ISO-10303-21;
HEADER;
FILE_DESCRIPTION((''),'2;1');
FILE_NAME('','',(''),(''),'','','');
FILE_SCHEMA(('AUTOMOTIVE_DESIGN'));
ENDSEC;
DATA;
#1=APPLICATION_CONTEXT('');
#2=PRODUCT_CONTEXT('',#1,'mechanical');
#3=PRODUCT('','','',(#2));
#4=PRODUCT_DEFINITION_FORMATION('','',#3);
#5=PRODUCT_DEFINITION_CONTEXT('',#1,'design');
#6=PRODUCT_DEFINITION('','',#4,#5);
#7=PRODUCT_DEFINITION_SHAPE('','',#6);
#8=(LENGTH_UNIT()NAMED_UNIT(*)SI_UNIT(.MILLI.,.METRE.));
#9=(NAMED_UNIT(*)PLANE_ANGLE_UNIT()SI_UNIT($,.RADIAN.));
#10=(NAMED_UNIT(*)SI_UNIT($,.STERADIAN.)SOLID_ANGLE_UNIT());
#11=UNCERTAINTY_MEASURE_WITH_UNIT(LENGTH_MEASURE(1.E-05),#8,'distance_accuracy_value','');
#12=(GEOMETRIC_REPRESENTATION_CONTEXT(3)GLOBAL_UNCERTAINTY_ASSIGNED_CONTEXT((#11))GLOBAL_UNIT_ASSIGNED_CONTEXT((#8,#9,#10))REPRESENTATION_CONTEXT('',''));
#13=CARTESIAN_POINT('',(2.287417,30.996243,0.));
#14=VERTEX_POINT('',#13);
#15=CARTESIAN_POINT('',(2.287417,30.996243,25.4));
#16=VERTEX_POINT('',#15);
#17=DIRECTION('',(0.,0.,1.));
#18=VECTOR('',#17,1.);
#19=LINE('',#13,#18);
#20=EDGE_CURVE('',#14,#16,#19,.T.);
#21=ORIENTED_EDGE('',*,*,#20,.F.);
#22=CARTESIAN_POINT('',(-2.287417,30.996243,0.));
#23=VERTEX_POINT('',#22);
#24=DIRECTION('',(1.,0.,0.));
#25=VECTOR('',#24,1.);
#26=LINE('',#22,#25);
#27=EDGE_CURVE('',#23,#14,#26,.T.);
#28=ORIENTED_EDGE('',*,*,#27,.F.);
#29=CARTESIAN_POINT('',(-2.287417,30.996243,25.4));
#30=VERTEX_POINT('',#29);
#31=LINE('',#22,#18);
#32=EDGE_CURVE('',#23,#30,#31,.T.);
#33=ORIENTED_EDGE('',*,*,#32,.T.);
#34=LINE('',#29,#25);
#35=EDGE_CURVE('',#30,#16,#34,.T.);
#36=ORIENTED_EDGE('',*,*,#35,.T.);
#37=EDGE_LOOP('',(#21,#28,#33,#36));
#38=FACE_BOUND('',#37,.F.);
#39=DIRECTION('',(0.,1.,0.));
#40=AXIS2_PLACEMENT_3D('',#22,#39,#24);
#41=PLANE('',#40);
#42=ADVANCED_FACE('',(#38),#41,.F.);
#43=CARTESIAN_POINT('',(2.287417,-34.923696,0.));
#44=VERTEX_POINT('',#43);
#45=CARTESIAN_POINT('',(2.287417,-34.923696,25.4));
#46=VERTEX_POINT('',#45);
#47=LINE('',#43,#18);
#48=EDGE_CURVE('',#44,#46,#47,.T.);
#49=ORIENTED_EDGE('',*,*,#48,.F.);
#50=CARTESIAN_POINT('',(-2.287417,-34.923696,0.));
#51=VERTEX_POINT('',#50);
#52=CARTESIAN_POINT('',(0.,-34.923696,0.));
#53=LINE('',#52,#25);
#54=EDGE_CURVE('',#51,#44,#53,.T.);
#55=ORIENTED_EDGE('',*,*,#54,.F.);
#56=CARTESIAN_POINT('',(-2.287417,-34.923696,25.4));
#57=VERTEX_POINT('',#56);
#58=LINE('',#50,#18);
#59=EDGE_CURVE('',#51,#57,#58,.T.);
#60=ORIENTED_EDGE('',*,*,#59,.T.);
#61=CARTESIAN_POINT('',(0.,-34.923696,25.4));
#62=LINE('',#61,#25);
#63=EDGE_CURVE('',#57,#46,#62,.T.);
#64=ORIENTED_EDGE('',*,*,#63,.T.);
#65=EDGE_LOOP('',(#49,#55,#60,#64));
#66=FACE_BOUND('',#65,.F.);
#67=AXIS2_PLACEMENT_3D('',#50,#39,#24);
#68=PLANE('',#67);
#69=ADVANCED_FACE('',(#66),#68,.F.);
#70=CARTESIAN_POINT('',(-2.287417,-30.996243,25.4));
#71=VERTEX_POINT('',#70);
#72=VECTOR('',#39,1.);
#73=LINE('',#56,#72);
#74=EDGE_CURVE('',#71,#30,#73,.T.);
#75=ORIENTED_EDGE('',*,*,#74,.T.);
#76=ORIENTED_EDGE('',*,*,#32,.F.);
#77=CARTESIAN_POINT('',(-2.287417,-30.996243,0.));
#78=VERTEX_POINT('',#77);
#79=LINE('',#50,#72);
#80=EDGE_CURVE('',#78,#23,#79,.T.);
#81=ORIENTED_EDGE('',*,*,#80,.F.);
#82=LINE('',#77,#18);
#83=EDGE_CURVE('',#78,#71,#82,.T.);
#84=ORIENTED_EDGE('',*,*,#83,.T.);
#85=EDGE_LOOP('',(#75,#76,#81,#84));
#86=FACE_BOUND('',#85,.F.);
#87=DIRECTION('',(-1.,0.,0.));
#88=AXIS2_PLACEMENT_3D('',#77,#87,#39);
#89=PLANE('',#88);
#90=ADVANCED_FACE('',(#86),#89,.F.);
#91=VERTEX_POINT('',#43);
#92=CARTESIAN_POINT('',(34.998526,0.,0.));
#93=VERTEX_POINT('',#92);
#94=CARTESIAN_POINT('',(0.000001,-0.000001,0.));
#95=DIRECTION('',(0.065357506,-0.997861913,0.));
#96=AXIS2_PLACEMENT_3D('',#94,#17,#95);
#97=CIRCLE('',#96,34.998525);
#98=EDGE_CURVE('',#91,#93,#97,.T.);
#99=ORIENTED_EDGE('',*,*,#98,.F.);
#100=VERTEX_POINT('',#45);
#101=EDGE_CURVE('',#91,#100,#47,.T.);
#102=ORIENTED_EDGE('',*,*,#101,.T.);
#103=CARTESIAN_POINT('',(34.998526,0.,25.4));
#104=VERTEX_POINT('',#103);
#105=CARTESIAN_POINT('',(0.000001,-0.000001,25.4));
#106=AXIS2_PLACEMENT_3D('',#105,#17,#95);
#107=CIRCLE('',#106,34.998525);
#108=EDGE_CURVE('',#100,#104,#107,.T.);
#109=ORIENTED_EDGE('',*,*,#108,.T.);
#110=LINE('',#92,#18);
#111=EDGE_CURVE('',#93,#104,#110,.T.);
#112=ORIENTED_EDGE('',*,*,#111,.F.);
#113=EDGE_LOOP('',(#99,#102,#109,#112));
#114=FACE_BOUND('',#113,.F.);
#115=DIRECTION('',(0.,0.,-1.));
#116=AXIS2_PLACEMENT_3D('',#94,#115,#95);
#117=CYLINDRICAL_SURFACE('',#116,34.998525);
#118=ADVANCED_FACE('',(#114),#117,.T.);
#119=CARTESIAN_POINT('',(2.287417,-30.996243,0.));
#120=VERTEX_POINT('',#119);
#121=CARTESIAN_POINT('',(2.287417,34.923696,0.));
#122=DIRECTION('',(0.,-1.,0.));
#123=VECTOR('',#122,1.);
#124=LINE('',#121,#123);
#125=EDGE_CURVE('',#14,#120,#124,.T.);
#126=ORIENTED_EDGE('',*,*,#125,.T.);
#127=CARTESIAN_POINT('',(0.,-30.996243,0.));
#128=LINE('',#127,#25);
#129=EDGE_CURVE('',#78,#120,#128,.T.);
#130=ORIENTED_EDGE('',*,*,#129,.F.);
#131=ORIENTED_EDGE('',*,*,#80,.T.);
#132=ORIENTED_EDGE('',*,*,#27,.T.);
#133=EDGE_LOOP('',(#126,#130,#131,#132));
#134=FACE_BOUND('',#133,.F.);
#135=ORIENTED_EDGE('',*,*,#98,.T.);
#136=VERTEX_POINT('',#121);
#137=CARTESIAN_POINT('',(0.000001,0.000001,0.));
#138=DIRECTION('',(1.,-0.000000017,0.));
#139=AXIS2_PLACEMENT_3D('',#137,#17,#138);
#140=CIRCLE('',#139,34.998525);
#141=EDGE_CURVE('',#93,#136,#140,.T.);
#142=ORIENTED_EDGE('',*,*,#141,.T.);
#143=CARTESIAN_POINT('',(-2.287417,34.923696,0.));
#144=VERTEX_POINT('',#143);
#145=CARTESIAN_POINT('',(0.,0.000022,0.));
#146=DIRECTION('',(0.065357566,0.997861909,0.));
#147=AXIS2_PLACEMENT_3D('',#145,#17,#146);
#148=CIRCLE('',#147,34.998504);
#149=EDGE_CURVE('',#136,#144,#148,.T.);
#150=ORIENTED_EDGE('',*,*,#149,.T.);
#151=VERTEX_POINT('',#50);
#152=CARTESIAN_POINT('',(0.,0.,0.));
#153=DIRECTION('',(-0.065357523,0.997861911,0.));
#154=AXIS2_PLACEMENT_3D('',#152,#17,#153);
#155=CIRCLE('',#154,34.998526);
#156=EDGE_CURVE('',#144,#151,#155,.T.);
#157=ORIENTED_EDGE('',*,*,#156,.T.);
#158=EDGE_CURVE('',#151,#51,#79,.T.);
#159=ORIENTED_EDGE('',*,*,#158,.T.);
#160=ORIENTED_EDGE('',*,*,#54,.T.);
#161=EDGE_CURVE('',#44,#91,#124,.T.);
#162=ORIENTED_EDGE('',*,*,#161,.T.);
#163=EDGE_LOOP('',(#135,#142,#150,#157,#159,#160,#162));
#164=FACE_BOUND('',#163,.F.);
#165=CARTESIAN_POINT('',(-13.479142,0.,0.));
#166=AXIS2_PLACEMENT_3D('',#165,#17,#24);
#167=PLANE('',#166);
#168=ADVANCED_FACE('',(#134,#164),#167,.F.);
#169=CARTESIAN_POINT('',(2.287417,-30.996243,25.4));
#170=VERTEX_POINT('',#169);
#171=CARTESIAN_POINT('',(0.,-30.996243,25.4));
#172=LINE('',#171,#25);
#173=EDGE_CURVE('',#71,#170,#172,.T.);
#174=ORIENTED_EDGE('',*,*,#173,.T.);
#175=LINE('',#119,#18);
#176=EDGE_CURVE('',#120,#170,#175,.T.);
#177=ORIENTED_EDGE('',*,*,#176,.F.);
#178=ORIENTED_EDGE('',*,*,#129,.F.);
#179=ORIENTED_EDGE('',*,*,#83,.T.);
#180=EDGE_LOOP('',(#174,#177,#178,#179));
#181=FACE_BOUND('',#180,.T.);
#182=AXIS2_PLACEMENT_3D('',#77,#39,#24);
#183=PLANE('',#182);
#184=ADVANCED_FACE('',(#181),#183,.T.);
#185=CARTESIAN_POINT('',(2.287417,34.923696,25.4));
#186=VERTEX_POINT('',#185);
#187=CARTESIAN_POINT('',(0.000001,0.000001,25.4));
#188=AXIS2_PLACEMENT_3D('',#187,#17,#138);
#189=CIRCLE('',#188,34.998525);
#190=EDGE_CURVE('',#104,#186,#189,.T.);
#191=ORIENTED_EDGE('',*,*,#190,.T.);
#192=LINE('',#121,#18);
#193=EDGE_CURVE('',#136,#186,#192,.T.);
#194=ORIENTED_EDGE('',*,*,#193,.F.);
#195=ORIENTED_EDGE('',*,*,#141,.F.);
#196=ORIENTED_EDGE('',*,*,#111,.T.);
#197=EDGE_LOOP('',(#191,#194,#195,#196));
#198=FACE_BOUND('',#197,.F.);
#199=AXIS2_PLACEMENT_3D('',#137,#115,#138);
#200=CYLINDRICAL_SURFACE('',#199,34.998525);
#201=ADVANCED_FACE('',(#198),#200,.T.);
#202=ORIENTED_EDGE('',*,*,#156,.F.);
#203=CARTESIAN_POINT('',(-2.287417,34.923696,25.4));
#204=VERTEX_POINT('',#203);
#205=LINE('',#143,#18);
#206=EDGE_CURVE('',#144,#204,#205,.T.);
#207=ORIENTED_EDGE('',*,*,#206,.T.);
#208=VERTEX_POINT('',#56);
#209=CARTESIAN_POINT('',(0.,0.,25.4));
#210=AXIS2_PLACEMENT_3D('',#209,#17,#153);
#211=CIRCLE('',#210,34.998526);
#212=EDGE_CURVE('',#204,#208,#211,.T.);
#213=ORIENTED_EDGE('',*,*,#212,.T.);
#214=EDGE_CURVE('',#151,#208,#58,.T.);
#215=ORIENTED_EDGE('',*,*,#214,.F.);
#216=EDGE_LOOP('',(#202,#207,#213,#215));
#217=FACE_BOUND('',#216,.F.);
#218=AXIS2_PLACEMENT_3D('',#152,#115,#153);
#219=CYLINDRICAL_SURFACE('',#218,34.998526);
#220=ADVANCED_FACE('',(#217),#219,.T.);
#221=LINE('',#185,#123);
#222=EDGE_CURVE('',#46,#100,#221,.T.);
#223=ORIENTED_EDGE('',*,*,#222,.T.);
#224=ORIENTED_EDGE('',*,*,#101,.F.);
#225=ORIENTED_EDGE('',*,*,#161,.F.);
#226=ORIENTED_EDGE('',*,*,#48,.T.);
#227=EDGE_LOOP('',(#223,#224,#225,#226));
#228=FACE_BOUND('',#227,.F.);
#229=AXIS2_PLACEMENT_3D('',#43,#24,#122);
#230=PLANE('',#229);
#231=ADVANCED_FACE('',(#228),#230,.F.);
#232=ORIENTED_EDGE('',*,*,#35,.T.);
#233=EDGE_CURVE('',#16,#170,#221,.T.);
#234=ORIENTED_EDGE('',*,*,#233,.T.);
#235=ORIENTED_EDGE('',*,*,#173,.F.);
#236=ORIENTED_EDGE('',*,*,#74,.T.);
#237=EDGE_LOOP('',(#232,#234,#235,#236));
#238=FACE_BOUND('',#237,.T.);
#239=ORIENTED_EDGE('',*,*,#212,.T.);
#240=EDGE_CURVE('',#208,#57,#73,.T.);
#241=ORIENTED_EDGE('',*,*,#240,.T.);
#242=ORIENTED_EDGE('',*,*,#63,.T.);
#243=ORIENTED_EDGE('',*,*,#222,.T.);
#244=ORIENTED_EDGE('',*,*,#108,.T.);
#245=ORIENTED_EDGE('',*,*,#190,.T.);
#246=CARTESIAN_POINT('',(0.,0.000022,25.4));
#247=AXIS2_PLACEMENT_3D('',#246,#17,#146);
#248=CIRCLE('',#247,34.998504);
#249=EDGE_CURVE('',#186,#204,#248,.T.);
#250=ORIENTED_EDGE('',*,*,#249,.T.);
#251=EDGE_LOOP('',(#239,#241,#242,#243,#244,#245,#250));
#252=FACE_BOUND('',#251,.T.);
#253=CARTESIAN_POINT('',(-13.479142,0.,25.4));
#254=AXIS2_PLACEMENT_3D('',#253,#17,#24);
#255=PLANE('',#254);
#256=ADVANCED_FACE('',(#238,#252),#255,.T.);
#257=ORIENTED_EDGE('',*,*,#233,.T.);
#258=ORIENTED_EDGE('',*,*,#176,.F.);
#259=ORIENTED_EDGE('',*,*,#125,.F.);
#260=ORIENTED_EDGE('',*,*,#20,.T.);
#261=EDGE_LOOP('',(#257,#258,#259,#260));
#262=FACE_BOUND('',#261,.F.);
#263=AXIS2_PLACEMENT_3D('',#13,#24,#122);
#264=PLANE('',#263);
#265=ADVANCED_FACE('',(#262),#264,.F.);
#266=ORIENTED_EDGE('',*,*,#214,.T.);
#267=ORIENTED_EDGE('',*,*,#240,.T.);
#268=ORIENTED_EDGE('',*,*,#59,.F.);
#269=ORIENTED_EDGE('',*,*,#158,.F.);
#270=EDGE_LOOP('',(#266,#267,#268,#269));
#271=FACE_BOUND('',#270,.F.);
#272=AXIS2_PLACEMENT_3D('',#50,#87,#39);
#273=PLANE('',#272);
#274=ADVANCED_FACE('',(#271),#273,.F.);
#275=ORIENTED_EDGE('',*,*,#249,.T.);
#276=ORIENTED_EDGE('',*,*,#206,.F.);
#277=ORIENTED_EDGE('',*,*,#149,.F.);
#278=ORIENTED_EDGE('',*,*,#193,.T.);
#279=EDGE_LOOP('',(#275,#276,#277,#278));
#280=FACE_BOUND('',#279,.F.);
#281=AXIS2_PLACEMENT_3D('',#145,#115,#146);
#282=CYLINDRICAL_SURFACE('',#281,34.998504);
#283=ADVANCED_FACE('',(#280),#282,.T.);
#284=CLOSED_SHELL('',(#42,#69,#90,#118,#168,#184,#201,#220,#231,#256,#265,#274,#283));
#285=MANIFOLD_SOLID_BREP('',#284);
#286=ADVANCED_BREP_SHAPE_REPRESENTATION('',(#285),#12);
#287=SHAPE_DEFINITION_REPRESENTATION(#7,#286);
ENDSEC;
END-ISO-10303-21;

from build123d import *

# Parameters (mm, degrees)
F0_W     = 4.574834
F0_H     = 3.927453
F1_DEPTH = 25.4


with BuildPart() as f1:
    # F0 (on Top) → F1 (new body)
    with BuildSketch(Plane.XY):
        with BuildLine():
            Line((-2.287417, 30.996243), (-2.287417, 34.923696))
            ThreePointArc((-2.287417, 34.923696), (-34.998526, 0), (-2.287417, -34.923696))
            Line((-2.287417, -34.923696), (-2.287417, -30.996243))
            Line((-2.287417, -30.996243), (-2.287417, 30.996243))
        make_face()
        with BuildLine():
            ThreePointArc((2.287417, -34.923696), (25.54362, -23.925307), (34.998526, 0))
            ThreePointArc((34.998526, 0), (25.54362, 23.925307), (2.287417, 34.923696))
            Line((2.287417, 34.923696), (2.287417, 30.996243))
            Line((2.287417, 30.996243), (2.287417, -30.996243))
            Line((2.287417, -30.996243), (2.287417, -34.923696))
        make_face()
        with BuildLine():
            Line((2.287417, 30.996243), (2.287417, 34.923696))
            ThreePointArc((2.287417, 34.923696), (0, 34.998526), (-2.287417, 34.923696))
            Line((-2.287417, 34.923696), (-2.287417, 30.996243))
            Line((-2.287417, 30.996243), (2.287417, 30.996243))
        make_face()
        with Locations((0, -32.959969)):
            Rectangle(F0_W, F0_H)
    extrude(amount=F1_DEPTH)


solid = f1.part
